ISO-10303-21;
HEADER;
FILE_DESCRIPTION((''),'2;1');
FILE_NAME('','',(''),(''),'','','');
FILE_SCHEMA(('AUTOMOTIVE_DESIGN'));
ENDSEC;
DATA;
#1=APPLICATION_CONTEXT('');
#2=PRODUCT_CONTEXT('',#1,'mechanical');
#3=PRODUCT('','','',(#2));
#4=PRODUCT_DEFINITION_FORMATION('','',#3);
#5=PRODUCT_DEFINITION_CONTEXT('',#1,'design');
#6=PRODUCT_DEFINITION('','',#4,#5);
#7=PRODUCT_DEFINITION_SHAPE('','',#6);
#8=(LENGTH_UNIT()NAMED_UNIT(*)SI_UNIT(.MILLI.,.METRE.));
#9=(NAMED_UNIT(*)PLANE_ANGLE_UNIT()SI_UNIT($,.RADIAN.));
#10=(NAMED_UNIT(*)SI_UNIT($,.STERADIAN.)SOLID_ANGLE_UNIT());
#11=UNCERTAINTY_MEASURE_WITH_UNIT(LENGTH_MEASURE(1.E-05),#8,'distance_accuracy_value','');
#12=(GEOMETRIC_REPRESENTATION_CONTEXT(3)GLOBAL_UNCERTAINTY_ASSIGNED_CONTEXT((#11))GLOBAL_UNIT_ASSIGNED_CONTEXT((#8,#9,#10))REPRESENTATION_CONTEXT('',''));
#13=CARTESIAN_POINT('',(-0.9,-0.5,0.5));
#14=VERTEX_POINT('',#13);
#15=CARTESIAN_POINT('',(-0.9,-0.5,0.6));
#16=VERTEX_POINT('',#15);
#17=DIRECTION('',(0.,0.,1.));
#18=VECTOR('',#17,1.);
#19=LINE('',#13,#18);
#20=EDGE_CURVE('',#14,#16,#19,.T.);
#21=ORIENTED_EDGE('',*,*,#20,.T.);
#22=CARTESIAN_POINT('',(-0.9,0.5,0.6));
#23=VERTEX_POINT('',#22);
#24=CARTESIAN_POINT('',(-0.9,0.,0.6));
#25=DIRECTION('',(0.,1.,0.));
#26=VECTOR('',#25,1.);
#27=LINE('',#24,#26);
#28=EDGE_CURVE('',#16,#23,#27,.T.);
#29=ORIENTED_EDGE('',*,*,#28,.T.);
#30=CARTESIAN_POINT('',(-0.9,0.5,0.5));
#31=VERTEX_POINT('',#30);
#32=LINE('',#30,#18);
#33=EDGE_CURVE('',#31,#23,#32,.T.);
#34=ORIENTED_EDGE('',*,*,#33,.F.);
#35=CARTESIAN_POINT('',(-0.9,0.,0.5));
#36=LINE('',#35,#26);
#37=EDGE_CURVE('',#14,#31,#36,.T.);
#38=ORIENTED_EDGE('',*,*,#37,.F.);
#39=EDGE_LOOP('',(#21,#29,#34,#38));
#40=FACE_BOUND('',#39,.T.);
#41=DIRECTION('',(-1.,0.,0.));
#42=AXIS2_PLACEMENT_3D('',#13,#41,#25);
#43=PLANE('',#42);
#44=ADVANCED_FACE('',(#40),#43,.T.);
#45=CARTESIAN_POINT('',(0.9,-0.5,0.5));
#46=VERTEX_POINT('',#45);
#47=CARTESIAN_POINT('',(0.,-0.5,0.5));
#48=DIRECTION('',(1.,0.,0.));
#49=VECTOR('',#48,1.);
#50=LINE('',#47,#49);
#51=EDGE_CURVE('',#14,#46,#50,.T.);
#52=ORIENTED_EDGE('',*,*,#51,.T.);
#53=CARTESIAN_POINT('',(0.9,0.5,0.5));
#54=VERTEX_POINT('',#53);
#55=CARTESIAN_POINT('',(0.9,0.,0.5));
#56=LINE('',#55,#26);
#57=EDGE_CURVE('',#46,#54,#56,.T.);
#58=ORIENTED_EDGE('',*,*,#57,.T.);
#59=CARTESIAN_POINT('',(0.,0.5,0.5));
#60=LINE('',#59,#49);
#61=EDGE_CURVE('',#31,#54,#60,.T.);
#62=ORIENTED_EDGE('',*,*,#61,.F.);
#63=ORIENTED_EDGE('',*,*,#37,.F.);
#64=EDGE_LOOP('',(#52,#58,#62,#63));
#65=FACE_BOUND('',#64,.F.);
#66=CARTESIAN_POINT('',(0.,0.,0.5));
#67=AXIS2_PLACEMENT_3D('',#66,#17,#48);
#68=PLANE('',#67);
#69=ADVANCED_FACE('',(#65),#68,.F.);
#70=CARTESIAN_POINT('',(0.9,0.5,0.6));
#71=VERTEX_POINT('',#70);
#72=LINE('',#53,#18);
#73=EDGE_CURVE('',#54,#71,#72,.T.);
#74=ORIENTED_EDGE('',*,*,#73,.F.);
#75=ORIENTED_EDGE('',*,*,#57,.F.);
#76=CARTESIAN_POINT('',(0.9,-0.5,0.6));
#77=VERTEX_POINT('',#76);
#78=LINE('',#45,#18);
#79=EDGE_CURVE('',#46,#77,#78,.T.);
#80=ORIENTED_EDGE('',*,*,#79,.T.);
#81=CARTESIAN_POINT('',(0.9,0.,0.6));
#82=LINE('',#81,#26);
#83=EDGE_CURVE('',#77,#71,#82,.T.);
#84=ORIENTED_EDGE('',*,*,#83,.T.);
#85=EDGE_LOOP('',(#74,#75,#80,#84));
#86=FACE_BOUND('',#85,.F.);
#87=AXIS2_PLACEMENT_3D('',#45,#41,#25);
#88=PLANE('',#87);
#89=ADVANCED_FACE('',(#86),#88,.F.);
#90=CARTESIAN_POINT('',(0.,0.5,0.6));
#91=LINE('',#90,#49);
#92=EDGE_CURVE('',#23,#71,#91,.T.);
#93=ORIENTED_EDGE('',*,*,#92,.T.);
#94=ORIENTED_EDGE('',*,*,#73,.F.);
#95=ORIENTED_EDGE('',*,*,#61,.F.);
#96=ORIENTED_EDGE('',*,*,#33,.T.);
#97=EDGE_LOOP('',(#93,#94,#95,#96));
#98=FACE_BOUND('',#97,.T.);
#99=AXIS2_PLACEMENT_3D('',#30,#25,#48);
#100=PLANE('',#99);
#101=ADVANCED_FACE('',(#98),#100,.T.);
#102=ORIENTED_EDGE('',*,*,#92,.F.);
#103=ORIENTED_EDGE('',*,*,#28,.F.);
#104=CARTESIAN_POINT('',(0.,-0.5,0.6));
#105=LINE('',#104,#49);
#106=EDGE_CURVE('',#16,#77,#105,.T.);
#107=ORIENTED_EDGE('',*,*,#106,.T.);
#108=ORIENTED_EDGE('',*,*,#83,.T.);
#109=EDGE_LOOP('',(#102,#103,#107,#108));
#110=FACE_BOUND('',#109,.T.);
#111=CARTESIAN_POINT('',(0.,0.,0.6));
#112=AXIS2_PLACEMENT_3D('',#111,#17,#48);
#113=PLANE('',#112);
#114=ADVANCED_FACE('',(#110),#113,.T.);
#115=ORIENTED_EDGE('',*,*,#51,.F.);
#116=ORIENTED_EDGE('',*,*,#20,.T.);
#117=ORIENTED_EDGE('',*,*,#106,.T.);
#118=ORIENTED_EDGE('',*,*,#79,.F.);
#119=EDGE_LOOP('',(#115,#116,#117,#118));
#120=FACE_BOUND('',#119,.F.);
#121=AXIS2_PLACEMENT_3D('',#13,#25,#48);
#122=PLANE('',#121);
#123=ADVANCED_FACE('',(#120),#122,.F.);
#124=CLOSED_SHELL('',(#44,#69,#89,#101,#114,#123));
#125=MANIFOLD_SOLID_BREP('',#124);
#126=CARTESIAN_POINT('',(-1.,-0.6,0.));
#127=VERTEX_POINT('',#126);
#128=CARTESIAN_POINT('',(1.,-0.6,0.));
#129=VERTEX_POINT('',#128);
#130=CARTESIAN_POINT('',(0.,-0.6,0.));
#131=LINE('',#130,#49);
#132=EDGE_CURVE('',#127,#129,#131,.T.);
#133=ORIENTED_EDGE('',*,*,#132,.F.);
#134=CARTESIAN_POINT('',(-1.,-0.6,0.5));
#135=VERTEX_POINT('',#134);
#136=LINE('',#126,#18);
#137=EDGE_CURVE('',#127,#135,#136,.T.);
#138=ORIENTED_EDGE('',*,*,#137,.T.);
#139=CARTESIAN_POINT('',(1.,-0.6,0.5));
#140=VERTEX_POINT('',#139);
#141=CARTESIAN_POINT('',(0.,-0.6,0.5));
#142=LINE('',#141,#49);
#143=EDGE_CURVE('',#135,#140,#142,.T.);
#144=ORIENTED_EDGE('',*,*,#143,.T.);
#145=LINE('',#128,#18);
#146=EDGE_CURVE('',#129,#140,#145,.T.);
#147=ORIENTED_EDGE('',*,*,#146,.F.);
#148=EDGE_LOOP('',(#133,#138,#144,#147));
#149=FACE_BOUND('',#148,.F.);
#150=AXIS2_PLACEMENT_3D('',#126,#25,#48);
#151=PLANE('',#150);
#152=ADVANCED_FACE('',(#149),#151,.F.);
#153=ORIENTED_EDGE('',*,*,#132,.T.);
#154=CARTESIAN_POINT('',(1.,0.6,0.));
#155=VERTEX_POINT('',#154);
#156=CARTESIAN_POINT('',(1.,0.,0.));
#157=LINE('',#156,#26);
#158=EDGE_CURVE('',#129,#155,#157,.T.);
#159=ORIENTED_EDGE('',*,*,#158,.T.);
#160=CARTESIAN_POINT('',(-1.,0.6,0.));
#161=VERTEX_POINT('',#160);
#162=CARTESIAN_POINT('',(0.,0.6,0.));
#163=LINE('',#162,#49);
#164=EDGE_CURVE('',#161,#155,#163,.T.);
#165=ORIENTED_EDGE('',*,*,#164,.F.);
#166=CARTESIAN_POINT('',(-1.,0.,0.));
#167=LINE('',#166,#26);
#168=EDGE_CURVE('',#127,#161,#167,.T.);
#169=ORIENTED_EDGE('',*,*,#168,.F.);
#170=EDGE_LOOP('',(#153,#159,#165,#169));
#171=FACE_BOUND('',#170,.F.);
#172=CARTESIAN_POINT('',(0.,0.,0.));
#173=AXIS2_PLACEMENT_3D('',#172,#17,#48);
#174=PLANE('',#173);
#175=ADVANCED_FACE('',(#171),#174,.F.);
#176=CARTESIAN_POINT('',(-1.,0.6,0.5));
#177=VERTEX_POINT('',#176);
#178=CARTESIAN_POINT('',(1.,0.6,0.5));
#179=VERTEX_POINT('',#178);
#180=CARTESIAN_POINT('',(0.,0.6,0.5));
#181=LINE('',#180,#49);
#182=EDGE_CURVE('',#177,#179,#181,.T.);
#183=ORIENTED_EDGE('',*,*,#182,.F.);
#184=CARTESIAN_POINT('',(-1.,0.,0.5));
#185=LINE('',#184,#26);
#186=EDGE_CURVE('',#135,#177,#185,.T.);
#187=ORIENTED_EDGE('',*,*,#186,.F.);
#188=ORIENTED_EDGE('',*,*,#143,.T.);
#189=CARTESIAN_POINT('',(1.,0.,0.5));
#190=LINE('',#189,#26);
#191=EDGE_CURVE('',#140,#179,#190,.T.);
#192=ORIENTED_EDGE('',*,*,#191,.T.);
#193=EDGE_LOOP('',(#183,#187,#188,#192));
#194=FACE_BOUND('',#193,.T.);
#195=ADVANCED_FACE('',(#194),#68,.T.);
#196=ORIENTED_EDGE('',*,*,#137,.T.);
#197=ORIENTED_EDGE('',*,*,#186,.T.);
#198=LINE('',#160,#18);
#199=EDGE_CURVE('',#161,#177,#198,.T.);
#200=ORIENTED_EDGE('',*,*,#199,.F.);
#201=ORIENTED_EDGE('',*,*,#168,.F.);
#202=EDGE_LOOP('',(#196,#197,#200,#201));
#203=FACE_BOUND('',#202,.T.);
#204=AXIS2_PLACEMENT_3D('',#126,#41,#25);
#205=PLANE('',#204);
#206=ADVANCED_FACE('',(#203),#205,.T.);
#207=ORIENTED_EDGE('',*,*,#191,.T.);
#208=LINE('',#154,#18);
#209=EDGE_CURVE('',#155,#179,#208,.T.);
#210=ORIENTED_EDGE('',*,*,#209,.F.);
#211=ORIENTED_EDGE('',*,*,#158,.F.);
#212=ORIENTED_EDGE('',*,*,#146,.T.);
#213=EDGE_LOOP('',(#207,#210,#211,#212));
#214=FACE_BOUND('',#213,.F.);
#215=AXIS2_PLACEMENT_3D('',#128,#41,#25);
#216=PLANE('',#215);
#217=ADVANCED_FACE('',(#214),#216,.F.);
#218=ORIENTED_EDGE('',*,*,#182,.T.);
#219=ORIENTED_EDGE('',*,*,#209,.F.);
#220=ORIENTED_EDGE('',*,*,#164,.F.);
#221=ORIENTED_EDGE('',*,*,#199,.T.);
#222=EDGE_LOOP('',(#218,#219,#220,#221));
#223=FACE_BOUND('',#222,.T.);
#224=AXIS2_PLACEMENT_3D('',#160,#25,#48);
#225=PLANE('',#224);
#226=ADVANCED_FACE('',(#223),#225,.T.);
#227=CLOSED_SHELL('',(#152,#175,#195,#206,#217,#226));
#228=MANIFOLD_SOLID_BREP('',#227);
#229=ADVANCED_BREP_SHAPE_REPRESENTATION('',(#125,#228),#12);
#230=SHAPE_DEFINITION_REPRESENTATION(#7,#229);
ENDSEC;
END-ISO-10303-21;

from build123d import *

# Parameters (mm, degrees)
SKETCH_W     = 2
SKETCH_H     = 1.2
PAD_DEPTH    = 0.5
SKETCH001_W  = 1.8
SKETCH001_H  = 1
PAD001_DEPTH = 0.1


with BuildPart() as pad:
    # Sketch → Pad (new body)
    with BuildSketch(Plane.XY):
        Rectangle(SKETCH_W, SKETCH_H)
    extrude(amount=PAD_DEPTH)


with BuildPart() as pad001:
    # Sketch001 → Pad001 (new body)
    with BuildSketch(Plane.XY.offset(0.5)):
        Rectangle(SKETCH001_W, SKETCH001_H)
    extrude(amount=PAD001_DEPTH)


solid = Compound([pad.part, pad001.part])
